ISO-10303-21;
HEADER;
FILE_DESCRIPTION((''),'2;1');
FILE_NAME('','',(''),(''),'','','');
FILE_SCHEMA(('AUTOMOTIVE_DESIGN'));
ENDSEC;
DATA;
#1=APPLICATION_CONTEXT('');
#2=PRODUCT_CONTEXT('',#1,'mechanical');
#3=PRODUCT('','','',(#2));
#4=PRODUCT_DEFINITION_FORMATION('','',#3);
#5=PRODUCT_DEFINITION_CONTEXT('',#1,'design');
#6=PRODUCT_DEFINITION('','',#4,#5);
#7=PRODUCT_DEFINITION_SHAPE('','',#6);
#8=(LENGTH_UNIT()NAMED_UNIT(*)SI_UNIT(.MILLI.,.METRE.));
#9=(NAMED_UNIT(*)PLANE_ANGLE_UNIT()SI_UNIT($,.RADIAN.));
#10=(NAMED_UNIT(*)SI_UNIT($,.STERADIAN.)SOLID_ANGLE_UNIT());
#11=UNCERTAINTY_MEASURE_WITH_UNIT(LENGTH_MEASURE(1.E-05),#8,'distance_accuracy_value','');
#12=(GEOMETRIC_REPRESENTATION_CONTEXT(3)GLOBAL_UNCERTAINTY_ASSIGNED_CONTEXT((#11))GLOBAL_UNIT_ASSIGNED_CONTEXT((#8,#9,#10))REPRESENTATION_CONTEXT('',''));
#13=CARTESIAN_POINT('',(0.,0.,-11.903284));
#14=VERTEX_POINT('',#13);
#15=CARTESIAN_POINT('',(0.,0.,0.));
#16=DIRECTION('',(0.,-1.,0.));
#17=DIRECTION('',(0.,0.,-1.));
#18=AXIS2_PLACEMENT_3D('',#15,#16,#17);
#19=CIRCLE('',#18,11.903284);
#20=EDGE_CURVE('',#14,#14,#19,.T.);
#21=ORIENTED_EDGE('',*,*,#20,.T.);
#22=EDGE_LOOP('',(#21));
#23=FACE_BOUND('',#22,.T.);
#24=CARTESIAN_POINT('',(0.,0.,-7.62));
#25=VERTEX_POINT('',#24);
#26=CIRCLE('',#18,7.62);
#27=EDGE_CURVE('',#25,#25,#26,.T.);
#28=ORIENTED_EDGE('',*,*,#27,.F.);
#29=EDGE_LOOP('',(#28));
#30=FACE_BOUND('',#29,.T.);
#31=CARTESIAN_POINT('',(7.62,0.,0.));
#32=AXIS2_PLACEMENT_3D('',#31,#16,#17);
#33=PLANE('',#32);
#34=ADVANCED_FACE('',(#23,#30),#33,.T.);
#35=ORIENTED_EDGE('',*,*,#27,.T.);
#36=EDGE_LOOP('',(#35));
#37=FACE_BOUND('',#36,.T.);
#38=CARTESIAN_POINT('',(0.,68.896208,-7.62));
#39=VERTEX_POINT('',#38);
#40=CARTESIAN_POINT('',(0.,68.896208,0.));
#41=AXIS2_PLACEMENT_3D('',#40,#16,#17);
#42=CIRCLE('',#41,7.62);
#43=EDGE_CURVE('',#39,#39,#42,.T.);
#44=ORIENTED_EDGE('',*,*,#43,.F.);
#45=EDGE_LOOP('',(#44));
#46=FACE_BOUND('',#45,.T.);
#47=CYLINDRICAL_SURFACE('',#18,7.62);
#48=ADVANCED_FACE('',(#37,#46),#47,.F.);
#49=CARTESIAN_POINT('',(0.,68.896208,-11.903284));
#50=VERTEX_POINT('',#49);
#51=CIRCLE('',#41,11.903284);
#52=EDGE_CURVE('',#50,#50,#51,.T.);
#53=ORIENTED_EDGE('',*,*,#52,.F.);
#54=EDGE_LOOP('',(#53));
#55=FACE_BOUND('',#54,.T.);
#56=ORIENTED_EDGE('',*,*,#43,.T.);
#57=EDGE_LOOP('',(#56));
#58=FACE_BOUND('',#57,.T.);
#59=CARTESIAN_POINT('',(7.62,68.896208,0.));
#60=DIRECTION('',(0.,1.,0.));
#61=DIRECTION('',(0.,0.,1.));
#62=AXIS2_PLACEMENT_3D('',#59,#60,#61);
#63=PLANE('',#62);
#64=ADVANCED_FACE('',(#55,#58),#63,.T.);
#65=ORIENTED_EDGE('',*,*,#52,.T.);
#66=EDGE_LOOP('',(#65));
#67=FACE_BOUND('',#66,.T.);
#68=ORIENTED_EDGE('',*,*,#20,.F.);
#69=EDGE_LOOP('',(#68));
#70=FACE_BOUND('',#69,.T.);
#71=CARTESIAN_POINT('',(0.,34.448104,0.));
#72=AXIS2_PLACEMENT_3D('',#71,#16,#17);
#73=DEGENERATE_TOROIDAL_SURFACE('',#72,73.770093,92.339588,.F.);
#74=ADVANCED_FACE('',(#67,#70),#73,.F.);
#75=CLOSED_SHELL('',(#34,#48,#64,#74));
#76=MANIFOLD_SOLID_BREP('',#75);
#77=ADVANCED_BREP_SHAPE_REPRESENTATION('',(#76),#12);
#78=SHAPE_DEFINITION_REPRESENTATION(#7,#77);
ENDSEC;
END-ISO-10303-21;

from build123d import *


with BuildPart() as part:
    # Sketch1 → Revolve1 (revolve)
    with BuildSketch(Plane.XY, mode=Mode.PRIVATE) as revolve1_sk:
        with BuildLine():
            Line((7.62, 0), (7.62, 68.896208335))
            Line((7.62, 68.896208335), (11.903284094, 68.896208335))
            ThreePointArc((11.903284094, 68.896208335), (18.569494518, 34.448104168), (11.903284094, 0))
            Line((11.903284094, 0), (7.62, 0))
        make_face()
    revolve(revolve1_sk.sketch.rotate(Axis((0, 0, 0), (0, 1, 0)), 90), axis=Axis((0, 0, 0), (0, 1, 0)))


solid = part.part
